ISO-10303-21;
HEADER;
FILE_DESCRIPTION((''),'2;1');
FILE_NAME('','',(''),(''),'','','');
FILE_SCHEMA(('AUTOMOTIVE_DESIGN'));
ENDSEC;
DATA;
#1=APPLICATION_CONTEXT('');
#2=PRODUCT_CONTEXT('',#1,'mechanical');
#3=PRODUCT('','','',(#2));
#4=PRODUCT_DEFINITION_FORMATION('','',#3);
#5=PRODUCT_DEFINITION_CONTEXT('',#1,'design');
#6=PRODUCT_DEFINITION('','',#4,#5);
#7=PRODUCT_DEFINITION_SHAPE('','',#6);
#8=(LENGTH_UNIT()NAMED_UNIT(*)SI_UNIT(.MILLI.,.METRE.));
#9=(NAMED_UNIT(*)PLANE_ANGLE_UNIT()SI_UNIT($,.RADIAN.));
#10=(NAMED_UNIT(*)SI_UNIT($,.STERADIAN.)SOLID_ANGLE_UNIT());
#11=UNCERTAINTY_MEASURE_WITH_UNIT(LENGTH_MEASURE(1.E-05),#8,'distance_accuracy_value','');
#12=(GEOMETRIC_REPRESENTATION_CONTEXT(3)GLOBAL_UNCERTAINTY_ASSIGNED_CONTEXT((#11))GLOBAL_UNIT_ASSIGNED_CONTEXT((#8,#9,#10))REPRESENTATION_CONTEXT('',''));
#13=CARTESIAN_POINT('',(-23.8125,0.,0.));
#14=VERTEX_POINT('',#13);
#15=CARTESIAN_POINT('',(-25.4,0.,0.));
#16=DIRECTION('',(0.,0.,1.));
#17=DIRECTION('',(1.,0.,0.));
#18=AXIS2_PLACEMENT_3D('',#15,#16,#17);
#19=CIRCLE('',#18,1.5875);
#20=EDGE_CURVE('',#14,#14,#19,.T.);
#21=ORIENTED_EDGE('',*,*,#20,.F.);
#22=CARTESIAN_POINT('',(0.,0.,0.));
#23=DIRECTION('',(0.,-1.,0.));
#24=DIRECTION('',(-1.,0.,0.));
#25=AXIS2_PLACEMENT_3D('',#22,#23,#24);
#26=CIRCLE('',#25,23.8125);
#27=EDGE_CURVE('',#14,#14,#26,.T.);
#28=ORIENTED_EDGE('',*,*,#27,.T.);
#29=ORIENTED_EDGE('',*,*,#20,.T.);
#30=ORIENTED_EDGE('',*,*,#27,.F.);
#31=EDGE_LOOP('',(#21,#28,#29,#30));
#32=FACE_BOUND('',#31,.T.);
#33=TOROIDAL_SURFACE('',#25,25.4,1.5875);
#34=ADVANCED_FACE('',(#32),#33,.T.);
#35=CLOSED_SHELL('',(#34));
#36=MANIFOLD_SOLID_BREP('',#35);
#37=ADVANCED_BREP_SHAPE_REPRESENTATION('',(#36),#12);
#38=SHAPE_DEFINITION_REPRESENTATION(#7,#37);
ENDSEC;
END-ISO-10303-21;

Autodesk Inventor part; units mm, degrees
ref_plane "YZ Plane" through (0, 0, 0) normal (1, 0, 0) x (0, 1, 0)
ref_plane "XZ Plane" through (0, 0, 0) normal (0, 1, 0) x (-1, 0, 0)
ref_plane "XY Plane" through (0, 0, 0) normal (0, 0, 1) x (1, 0, 0)
sketch "Sketch1" plane through (0, 0, 0) normal (0, 0, 1) x (1, 0, 0)
  circle A0 centre (-25.4, 0) radius 1.5875
  line L0 (0, 0) -> (0, -3.3938) construction
  dimension "d0" = 3.175
  dimension "d1" = 25.4
revolve "Revolution1" add sketch "Sketch1" angle 360 about axis through (0, 0, 0) along (0, -1, 0)
properties part number "gasket" material "Rubber"
